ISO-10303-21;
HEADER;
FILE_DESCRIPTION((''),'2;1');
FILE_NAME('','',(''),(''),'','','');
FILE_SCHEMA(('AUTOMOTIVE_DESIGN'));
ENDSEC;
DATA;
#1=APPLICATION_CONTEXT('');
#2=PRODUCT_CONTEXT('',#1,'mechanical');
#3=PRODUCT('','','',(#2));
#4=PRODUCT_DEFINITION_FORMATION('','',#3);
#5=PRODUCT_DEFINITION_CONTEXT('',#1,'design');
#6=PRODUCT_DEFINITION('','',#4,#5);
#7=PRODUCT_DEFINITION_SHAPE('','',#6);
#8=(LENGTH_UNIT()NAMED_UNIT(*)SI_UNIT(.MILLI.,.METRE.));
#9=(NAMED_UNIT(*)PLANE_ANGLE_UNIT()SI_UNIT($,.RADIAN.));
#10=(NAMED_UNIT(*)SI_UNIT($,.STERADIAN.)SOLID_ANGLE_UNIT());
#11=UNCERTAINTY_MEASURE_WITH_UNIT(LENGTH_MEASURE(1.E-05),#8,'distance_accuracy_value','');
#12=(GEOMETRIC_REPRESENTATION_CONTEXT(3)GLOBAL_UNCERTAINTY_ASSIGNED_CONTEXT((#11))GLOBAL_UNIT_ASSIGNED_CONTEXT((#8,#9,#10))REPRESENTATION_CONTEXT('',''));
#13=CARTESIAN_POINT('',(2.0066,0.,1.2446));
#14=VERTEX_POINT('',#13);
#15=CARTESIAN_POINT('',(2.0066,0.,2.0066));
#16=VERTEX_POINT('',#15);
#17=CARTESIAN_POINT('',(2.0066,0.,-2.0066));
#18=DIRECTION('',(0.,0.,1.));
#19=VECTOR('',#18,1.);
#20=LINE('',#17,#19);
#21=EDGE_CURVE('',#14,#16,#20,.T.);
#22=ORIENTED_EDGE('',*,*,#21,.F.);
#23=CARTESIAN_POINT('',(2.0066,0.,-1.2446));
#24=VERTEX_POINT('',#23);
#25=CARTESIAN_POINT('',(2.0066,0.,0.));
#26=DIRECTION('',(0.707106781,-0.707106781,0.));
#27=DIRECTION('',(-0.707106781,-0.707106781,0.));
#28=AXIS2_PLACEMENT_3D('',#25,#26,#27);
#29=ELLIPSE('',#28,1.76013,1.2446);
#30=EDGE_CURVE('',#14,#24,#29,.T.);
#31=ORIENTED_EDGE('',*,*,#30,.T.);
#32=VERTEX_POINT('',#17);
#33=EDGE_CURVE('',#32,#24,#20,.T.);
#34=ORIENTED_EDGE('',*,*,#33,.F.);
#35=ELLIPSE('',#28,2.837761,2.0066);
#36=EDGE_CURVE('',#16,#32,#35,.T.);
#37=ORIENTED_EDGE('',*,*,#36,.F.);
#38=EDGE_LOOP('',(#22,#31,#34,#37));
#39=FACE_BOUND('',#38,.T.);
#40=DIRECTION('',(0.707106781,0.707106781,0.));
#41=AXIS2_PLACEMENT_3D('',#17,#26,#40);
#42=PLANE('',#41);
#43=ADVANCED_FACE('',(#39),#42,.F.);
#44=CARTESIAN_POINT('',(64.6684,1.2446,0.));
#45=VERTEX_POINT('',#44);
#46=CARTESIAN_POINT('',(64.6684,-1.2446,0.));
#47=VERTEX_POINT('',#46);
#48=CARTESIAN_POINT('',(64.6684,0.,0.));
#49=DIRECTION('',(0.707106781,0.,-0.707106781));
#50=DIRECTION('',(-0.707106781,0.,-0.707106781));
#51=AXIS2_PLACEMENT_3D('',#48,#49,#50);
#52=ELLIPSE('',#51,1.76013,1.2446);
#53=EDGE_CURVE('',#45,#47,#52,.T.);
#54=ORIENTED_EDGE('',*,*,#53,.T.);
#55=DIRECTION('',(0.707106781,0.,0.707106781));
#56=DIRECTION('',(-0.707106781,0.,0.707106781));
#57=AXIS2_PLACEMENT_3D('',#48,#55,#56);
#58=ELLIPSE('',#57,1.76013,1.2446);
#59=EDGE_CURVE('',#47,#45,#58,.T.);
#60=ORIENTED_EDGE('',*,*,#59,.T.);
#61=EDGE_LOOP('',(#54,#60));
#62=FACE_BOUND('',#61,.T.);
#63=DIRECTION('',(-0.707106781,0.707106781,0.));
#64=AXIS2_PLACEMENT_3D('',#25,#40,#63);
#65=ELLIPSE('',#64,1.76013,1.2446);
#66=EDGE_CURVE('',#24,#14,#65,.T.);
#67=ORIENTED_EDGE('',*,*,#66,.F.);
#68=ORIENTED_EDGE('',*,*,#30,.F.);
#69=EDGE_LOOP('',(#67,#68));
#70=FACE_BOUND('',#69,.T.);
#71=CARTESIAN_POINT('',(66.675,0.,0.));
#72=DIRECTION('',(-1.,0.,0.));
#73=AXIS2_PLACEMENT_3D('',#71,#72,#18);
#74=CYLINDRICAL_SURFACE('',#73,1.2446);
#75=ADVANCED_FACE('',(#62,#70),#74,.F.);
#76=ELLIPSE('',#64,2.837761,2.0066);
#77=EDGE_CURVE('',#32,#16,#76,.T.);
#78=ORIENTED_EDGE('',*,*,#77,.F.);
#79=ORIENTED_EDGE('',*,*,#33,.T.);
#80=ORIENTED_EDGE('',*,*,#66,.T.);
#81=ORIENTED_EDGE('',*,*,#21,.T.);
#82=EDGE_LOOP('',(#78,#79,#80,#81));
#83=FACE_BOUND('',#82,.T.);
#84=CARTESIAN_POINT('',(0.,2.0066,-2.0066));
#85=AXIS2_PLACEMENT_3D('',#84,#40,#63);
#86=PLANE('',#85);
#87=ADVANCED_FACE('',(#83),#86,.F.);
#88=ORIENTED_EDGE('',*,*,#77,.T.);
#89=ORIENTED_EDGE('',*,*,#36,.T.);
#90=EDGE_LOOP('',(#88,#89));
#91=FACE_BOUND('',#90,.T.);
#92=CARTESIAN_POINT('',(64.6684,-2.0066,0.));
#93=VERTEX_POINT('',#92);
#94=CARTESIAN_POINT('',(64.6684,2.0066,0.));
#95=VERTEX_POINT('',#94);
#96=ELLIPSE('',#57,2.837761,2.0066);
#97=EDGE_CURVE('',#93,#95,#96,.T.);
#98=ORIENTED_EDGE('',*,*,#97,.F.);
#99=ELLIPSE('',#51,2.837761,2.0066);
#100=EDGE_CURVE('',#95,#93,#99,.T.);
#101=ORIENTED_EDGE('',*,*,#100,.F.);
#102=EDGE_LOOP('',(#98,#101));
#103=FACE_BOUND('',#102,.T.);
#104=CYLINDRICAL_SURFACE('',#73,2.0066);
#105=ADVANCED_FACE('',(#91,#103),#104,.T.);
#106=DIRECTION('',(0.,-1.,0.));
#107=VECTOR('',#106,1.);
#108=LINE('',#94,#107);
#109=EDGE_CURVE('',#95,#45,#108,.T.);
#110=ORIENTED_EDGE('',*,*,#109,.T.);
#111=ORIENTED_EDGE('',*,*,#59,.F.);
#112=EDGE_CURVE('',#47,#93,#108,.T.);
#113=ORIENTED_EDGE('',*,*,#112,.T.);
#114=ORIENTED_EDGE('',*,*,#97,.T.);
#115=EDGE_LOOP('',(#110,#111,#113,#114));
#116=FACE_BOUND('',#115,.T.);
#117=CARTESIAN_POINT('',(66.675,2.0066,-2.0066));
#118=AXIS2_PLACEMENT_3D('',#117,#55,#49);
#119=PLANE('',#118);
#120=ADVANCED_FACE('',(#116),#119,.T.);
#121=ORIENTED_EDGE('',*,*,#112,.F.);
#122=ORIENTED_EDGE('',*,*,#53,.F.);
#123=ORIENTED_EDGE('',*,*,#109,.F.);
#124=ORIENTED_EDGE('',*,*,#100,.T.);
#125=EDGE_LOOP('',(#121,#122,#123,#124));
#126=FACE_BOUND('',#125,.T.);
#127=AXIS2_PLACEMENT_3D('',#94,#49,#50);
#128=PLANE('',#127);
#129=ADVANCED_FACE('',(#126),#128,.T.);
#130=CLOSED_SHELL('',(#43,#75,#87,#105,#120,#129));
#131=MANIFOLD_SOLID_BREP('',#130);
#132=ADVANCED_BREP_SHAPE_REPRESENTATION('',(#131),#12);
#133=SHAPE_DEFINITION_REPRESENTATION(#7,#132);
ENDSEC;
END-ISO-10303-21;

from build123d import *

# Parameters (mm, degrees)
SKETCH1_R               = 2.0066
SKETCH1_R_2             = 1.2446
BOSS_EXTRUDE1_DEPTH     = 66.675
CUT_EXTRUDE2_DEPTH      = 3.0066
CUT_EXTRUDE2_DEPTH_BACK = 3.0066
CUT_EXTRUDE3_DEPTH      = 3.0066
CUT_EXTRUDE3_DEPTH_BACK = 3.0066


with BuildPart() as part:
    # Sketch1 → Boss-Extrude1 (new body)
    with BuildSketch(Plane(origin=(0, 0, 0), x_dir=(0, 0, -1), z_dir=(1, 0, 0))):
        Circle(SKETCH1_R)
        Circle(SKETCH1_R_2, mode=Mode.SUBTRACT)
    extrude(amount=BOSS_EXTRUDE1_DEPTH)

    # Sketch3 → Cut-Extrude2 (cut, two sides)
    with BuildSketch(Plane.XY) as cut_extrude2_sk:
        Polygon((0, 2.0066), (2.0066, 0), (0, -2.0066), align=None)
    extrude(amount=CUT_EXTRUDE2_DEPTH, mode=Mode.SUBTRACT)
    extrude(cut_extrude2_sk.sketch, amount=-CUT_EXTRUDE2_DEPTH_BACK, mode=Mode.SUBTRACT)

    # Sketch4 → Cut-Extrude3 (cut, two sides)
    with BuildSketch(Plane(origin=(0, 0, 0), x_dir=(1, 0, 0), z_dir=(0, 1, 0))) as cut_extrude3_sk:
        Polygon((66.675, 2.0066), (64.6684, 0), (66.675, -2.0066), align=None)
    extrude(amount=CUT_EXTRUDE3_DEPTH, mode=Mode.SUBTRACT)
    extrude(cut_extrude3_sk.sketch, amount=-CUT_EXTRUDE3_DEPTH_BACK, mode=Mode.SUBTRACT)


solid = part.part
